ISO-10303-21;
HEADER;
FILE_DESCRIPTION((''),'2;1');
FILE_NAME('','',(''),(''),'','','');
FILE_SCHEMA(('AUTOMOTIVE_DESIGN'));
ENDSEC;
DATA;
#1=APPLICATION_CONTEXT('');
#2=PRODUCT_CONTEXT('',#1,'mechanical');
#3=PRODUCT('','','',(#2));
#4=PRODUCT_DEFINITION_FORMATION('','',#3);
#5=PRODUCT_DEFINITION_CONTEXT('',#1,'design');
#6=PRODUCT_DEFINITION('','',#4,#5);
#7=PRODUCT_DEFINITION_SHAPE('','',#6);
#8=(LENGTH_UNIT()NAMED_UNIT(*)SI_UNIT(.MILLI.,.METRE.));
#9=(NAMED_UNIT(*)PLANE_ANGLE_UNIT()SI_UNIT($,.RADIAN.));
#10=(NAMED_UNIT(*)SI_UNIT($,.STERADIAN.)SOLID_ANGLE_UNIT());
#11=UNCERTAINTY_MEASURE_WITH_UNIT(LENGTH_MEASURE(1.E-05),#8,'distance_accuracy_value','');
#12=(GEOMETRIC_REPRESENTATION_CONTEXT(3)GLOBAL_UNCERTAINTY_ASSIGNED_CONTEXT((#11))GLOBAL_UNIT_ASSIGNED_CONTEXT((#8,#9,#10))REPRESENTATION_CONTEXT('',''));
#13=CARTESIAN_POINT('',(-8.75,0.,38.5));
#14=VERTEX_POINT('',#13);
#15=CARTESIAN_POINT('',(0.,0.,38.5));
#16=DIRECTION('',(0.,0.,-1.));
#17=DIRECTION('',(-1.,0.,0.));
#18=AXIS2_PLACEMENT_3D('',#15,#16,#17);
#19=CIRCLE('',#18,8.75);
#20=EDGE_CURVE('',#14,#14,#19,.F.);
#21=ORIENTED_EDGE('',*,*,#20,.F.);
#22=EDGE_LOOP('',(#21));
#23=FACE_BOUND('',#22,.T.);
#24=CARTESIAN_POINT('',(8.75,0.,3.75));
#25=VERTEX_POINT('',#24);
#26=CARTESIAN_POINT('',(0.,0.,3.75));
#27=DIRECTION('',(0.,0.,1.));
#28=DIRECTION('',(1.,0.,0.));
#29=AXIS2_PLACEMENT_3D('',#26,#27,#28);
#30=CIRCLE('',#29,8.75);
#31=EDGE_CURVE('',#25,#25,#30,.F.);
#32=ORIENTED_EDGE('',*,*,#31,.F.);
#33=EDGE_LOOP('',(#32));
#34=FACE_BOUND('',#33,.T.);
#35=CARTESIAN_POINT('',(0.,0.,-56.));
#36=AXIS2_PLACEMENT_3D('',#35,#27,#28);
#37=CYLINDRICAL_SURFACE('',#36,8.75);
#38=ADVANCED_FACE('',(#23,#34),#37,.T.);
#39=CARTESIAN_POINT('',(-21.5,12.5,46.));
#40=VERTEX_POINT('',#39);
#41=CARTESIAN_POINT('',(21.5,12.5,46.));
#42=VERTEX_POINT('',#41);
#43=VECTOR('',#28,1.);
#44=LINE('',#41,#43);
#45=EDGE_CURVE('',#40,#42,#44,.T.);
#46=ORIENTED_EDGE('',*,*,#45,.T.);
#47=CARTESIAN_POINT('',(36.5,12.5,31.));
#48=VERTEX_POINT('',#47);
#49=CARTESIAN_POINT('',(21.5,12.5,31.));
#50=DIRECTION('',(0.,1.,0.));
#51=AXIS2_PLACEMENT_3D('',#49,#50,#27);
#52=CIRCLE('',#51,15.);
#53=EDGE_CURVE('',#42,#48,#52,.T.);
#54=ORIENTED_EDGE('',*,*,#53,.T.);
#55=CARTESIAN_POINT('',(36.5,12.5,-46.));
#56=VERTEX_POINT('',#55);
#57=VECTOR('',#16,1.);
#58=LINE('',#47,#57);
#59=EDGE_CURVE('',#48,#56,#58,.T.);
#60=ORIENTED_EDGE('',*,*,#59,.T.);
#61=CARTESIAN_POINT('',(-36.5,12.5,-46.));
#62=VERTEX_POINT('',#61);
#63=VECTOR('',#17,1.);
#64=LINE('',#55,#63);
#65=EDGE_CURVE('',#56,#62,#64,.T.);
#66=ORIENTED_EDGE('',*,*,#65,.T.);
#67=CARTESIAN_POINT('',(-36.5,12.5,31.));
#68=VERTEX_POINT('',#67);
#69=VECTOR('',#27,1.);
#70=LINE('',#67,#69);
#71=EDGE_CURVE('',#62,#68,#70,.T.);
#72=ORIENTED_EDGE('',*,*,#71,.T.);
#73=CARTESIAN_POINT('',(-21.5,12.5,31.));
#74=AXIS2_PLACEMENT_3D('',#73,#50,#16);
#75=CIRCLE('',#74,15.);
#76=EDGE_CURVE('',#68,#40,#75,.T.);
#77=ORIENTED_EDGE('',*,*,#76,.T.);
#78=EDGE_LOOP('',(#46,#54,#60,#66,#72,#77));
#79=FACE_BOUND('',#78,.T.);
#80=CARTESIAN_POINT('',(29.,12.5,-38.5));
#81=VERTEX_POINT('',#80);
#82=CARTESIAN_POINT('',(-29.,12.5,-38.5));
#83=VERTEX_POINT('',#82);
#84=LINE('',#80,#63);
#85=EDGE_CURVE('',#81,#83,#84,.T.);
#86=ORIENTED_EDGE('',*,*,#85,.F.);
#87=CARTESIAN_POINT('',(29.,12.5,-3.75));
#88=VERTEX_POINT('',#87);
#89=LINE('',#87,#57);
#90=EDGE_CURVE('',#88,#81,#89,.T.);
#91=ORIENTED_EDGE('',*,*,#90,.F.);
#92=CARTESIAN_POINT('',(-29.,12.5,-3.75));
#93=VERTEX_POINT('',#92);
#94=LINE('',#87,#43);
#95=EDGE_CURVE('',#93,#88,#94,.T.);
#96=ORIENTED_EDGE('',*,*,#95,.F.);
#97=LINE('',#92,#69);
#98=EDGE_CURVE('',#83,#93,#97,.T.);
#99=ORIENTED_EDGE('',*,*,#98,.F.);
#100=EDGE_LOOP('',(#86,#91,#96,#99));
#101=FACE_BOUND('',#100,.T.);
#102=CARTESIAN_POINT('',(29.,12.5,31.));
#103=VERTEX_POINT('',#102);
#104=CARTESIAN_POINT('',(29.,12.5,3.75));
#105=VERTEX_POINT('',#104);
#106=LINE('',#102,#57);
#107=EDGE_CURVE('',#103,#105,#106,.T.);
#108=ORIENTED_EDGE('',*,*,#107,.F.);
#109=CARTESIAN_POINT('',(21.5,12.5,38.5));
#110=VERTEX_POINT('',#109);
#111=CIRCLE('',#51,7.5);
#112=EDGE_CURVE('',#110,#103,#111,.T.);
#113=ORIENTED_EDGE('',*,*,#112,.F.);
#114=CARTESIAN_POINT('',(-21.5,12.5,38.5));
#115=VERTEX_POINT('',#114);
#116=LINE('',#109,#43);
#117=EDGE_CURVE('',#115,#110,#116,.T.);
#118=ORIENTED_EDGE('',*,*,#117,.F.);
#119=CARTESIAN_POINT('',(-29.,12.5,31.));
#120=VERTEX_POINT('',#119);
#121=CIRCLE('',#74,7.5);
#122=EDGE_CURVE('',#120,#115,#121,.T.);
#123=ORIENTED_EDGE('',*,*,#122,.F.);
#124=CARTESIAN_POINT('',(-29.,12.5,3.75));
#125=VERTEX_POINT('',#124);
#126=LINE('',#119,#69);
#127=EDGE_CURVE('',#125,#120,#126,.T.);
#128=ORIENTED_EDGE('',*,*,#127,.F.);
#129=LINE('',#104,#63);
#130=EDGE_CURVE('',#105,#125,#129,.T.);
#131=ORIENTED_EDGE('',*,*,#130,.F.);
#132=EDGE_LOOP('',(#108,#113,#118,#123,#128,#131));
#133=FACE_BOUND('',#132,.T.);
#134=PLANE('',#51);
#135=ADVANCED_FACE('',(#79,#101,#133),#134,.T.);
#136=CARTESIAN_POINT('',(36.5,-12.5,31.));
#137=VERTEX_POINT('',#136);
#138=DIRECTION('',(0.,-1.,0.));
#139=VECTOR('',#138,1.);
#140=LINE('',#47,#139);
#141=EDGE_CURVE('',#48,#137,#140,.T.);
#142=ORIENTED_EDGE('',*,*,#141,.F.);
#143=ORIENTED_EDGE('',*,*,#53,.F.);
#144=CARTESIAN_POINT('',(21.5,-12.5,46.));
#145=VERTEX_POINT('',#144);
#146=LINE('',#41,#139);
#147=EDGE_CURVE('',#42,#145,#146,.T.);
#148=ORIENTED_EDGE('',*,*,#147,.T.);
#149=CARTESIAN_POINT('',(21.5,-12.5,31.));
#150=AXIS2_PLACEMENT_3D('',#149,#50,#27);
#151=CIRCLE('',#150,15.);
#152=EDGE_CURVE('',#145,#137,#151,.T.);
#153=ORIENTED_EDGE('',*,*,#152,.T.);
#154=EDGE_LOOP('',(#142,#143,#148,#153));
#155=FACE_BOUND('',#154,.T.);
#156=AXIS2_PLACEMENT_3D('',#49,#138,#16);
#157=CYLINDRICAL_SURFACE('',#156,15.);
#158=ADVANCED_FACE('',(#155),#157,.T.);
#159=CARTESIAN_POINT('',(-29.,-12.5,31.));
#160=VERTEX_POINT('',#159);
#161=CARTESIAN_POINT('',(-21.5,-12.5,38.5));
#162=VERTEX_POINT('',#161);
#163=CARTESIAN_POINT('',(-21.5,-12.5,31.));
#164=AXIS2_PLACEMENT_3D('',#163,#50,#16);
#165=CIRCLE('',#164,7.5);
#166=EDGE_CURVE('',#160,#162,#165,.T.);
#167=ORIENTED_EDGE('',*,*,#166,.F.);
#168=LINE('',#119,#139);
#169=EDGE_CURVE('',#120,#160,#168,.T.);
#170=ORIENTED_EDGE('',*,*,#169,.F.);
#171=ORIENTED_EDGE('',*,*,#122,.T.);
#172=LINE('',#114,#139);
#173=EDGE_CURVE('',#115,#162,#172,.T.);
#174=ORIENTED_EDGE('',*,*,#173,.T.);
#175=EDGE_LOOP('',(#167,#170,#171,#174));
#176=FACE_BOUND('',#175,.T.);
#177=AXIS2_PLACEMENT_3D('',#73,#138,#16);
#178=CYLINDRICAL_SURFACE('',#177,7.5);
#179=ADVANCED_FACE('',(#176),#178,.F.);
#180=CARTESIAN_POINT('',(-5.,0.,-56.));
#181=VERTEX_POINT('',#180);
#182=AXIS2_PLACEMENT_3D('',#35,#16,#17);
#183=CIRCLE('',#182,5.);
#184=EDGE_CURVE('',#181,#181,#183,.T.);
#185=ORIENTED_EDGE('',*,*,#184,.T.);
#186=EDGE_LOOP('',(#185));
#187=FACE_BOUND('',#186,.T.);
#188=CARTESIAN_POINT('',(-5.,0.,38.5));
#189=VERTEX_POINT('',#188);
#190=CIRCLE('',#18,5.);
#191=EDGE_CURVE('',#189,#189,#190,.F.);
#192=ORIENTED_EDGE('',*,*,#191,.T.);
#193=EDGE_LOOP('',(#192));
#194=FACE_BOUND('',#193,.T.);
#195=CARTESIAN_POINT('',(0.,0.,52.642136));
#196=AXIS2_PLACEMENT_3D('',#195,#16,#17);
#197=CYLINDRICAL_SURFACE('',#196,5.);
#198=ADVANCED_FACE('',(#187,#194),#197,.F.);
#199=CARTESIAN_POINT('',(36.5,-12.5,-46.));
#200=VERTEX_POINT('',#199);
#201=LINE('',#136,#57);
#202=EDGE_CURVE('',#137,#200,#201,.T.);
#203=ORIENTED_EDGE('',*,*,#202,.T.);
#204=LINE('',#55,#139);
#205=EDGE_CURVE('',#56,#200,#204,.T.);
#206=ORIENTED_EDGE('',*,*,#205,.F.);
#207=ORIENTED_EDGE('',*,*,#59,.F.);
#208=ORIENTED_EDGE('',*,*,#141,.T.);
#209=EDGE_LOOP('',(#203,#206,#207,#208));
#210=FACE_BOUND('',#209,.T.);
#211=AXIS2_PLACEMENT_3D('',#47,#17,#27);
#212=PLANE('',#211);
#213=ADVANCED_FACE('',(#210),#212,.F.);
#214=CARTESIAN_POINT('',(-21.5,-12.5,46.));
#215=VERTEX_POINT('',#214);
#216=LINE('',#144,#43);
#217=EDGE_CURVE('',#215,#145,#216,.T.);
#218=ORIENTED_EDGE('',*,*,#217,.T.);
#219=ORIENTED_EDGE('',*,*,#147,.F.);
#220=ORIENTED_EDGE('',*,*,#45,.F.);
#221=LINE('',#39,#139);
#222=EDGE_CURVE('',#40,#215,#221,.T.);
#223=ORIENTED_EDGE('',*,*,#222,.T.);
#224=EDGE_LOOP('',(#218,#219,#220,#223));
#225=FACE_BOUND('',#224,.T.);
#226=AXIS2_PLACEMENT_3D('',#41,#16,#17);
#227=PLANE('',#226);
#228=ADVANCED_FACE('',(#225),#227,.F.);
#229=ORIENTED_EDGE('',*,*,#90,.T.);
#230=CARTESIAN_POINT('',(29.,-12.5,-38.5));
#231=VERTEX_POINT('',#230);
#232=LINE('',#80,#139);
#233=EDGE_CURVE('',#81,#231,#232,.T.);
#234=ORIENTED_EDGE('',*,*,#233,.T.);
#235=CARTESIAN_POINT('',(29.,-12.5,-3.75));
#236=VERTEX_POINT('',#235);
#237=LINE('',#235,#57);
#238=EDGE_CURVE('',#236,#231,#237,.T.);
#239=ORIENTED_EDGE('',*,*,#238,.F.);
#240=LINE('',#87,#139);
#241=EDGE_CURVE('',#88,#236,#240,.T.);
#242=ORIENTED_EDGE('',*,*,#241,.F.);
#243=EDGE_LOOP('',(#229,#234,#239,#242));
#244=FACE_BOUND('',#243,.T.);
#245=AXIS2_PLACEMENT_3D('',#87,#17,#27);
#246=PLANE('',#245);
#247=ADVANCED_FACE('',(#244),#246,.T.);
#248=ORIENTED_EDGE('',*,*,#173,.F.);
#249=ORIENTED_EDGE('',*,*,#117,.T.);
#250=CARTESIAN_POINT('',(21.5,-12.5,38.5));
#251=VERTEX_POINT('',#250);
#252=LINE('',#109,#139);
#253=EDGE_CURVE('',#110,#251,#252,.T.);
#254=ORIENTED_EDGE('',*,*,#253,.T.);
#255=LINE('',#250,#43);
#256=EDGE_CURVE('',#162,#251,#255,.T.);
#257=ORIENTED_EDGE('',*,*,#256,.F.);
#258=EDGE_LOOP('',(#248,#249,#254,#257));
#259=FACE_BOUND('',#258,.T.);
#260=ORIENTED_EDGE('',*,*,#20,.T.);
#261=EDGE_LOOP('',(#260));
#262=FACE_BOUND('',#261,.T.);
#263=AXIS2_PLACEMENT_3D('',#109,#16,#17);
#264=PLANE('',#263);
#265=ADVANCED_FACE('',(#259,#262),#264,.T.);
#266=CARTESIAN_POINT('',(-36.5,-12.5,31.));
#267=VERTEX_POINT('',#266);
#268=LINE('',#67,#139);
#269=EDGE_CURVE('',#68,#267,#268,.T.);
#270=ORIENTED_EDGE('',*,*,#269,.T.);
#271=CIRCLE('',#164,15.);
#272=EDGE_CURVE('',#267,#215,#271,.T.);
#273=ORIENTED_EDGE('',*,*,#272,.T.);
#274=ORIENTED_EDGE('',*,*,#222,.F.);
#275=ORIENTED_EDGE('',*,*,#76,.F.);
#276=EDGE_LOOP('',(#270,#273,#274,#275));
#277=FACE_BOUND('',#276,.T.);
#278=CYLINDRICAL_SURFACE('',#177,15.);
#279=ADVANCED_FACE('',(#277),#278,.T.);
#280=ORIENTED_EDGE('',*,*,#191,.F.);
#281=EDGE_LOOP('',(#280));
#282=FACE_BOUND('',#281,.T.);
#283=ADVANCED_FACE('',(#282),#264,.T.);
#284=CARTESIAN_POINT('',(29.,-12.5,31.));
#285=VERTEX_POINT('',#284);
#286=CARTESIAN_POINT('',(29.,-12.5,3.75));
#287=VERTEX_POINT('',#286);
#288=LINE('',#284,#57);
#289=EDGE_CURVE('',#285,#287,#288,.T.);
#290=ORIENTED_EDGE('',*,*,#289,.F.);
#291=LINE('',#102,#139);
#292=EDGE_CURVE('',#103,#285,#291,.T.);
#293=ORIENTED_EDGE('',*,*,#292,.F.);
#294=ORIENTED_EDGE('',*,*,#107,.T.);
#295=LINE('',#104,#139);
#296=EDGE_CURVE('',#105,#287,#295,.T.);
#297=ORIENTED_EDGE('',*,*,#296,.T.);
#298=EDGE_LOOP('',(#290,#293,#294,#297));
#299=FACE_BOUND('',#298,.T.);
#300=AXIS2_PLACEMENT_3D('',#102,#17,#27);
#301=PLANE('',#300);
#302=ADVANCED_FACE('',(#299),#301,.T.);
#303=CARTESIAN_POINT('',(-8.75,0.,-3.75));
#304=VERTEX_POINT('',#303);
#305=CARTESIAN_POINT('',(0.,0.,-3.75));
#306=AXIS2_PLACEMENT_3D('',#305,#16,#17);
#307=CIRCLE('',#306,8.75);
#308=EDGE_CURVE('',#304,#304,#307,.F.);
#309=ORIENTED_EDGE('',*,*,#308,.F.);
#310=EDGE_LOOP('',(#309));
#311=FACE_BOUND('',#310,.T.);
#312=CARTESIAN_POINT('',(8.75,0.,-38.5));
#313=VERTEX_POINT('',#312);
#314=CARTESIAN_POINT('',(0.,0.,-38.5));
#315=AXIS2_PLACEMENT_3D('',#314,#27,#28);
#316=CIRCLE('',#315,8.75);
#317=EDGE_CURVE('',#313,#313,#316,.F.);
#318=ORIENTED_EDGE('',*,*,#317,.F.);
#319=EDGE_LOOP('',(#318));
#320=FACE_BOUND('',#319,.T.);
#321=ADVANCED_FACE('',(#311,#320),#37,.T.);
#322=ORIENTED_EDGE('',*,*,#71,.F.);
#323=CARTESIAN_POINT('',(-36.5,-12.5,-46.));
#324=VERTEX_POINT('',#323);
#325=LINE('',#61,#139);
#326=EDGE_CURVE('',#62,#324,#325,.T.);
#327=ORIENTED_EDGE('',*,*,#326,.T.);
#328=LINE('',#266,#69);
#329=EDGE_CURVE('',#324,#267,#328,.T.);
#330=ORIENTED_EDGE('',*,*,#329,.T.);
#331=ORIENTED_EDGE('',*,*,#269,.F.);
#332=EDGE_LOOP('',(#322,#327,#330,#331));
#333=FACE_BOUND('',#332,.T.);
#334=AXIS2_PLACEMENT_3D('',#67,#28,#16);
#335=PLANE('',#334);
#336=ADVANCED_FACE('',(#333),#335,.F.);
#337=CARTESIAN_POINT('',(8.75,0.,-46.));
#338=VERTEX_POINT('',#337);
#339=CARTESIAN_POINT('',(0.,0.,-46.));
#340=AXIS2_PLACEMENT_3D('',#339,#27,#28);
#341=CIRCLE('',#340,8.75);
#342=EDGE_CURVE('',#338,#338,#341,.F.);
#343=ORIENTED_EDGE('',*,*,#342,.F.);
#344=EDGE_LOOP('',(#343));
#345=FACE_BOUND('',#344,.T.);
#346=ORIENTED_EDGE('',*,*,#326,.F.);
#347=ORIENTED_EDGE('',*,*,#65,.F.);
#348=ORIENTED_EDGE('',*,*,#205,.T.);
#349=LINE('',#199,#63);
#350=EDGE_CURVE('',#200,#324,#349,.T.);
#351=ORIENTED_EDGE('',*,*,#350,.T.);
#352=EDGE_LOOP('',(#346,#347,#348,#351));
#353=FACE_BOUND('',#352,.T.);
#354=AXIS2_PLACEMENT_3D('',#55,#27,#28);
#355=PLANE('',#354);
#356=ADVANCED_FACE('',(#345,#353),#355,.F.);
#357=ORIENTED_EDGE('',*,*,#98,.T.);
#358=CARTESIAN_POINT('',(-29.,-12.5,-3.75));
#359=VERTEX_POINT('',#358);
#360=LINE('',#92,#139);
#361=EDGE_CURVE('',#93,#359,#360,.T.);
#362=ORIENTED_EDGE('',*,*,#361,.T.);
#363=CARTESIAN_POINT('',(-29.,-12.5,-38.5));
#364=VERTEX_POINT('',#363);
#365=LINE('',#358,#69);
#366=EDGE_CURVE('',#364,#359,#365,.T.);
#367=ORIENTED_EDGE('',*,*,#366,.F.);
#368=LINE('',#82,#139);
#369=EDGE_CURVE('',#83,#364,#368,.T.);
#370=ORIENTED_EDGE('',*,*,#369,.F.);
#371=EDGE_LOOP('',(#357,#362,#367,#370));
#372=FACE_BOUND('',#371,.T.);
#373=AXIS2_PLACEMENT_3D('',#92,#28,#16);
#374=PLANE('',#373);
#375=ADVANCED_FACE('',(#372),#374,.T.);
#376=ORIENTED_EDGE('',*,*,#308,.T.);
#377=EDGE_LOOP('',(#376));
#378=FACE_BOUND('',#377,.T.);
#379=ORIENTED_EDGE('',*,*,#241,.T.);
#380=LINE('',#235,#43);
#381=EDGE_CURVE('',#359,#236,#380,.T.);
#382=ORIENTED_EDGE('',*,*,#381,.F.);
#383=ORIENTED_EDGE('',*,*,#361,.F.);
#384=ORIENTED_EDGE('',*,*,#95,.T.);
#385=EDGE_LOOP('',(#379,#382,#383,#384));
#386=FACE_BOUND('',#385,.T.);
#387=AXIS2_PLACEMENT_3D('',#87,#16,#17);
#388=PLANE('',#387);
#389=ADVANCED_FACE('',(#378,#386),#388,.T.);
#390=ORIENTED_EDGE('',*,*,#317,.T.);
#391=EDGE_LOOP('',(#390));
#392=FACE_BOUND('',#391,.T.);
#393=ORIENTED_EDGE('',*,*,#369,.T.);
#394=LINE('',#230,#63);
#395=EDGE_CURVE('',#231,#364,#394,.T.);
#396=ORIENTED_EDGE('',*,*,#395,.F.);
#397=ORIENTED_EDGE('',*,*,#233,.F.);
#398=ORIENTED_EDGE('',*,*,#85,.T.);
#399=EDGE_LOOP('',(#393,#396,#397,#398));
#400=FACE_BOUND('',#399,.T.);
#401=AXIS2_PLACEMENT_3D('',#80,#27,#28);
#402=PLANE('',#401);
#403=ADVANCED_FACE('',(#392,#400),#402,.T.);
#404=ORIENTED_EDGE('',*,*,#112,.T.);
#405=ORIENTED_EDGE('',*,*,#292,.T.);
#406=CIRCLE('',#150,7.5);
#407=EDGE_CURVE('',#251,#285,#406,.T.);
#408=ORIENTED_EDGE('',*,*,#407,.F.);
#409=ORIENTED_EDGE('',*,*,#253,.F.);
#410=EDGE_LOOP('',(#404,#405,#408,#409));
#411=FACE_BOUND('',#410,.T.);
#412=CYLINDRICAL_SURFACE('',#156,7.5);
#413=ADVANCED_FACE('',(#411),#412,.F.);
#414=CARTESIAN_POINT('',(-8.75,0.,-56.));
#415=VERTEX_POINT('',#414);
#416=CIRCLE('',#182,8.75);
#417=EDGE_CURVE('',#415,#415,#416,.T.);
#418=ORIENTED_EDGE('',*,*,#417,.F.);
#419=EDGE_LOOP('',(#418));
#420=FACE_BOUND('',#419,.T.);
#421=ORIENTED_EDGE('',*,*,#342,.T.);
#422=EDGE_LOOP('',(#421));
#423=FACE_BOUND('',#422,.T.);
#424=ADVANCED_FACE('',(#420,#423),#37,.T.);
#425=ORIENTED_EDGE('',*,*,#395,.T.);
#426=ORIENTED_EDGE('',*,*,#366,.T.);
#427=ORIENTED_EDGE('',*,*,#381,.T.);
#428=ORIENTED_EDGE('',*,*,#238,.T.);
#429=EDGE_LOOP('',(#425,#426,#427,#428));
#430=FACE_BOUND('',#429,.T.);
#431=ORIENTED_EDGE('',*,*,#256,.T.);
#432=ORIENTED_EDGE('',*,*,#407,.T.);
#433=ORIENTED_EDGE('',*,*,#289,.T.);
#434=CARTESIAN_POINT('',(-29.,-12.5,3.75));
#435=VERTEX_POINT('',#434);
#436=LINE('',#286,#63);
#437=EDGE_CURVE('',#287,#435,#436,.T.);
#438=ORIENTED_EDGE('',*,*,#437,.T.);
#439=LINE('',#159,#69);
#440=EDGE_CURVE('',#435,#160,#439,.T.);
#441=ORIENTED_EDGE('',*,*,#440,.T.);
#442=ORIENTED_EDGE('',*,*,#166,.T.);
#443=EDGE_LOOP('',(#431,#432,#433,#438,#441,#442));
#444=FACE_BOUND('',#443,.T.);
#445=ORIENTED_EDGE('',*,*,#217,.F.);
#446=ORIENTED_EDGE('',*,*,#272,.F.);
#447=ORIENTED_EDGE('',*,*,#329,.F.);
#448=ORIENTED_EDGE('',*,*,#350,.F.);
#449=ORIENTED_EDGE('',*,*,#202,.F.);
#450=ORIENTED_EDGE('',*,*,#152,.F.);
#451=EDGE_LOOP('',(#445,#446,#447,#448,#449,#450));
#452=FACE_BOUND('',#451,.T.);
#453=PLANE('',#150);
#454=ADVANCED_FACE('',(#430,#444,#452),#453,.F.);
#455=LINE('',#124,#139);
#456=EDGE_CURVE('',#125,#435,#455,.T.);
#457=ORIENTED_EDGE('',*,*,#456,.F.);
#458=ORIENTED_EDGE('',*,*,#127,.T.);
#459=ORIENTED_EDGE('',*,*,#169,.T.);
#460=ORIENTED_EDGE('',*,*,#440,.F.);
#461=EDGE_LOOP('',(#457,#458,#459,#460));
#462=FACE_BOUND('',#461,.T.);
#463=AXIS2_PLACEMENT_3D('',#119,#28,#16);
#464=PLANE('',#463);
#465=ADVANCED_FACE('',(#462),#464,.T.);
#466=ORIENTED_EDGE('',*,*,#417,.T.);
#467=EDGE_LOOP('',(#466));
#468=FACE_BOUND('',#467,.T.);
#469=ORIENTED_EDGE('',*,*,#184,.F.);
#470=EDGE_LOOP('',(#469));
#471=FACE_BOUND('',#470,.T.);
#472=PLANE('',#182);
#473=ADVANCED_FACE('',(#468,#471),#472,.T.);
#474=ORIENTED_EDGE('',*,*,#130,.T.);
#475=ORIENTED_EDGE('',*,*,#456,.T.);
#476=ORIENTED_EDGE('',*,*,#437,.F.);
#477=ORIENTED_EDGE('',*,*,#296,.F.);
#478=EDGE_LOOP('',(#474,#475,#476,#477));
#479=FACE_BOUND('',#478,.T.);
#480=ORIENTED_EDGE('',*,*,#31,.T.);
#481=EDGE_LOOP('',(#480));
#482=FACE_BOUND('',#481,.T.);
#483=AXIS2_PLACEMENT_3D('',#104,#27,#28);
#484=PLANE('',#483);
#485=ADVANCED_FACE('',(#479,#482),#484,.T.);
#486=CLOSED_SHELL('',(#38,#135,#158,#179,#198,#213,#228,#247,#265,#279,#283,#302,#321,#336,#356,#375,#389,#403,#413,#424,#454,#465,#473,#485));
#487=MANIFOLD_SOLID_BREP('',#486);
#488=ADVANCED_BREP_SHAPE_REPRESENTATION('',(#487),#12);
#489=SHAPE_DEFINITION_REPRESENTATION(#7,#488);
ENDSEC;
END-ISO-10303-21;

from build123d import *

# Parameters (mm, degrees)
CROQUIS1_W                   = 58
CROQUIS1_H                   = 34.75
SALIENTE_EXTRUIR1_DEPTH      = 12.5
CROQUIS2_R                   = 8.75
SALIENTE_EXTRUIR2_DEPTH      = 10
SALIENTE_EXTRUIR2_DEPTH_BACK = 84.5
CROQUIS3_R                   = 5
CORTAR_EXTRUIR1_DEPTH        = 94.5


with BuildPart() as part:
    # Croquis1 → Saliente-Extruir1 (new body, symmetric)
    with BuildSketch(Plane(origin=(0, 0, 0), x_dir=(1, 0, 0), z_dir=(0, 1, 0))):
        with BuildLine():
            Line((21.5, -46), (-21.5, -46))
            ThreePointArc((-21.5, -46), (-32.106601718, -41.606601718), (-36.5, -31))
            Line((-36.5, -31), (-36.5, 46))
            Line((-36.5, 46), (36.5, 46))
            Line((36.5, 46), (36.5, -31))
            ThreePointArc((36.5, -31), (32.106601718, -41.606601718), (21.5, -46))
        make_face()
        with BuildLine():
            Line((-29, -31), (-29, -3.75))
            Line((-29, -3.75), (29, -3.75))
            Line((29, -3.75), (29, -31))
            ThreePointArc((29, -31), (26.803300859, -36.303300859), (21.5, -38.5))
            Line((21.5, -38.5), (-21.5, -38.5))
            ThreePointArc((-21.5, -38.5), (-26.803300859, -36.303300859), (-29, -31))
        make_face(mode=Mode.SUBTRACT)
        with Locations((0, 21.125)):
            Rectangle(CROQUIS1_W, CROQUIS1_H, mode=Mode.SUBTRACT)
    extrude(amount=SALIENTE_EXTRUIR1_DEPTH, both=True)

    # Croquis2 → Saliente-Extruir2 (add, two sides)
    with BuildSketch(Plane(origin=(0, 0, -46), x_dir=(-1, 0, 0), z_dir=(0, 0, -1))) as saliente_extruir2_sk:
        Circle(CROQUIS2_R)
    extrude(amount=SALIENTE_EXTRUIR2_DEPTH)
    extrude(saliente_extruir2_sk.sketch, amount=-SALIENTE_EXTRUIR2_DEPTH_BACK)

    # Croquis3 → Cortar-Extruir1 (cut)
    with BuildSketch(Plane(origin=(0, 0, -56), x_dir=(-1, 0, 0), z_dir=(0, 0, -1))):
        Circle(CROQUIS3_R)
    extrude(amount=-CORTAR_EXTRUIR1_DEPTH, mode=Mode.SUBTRACT)


solid = part.part
